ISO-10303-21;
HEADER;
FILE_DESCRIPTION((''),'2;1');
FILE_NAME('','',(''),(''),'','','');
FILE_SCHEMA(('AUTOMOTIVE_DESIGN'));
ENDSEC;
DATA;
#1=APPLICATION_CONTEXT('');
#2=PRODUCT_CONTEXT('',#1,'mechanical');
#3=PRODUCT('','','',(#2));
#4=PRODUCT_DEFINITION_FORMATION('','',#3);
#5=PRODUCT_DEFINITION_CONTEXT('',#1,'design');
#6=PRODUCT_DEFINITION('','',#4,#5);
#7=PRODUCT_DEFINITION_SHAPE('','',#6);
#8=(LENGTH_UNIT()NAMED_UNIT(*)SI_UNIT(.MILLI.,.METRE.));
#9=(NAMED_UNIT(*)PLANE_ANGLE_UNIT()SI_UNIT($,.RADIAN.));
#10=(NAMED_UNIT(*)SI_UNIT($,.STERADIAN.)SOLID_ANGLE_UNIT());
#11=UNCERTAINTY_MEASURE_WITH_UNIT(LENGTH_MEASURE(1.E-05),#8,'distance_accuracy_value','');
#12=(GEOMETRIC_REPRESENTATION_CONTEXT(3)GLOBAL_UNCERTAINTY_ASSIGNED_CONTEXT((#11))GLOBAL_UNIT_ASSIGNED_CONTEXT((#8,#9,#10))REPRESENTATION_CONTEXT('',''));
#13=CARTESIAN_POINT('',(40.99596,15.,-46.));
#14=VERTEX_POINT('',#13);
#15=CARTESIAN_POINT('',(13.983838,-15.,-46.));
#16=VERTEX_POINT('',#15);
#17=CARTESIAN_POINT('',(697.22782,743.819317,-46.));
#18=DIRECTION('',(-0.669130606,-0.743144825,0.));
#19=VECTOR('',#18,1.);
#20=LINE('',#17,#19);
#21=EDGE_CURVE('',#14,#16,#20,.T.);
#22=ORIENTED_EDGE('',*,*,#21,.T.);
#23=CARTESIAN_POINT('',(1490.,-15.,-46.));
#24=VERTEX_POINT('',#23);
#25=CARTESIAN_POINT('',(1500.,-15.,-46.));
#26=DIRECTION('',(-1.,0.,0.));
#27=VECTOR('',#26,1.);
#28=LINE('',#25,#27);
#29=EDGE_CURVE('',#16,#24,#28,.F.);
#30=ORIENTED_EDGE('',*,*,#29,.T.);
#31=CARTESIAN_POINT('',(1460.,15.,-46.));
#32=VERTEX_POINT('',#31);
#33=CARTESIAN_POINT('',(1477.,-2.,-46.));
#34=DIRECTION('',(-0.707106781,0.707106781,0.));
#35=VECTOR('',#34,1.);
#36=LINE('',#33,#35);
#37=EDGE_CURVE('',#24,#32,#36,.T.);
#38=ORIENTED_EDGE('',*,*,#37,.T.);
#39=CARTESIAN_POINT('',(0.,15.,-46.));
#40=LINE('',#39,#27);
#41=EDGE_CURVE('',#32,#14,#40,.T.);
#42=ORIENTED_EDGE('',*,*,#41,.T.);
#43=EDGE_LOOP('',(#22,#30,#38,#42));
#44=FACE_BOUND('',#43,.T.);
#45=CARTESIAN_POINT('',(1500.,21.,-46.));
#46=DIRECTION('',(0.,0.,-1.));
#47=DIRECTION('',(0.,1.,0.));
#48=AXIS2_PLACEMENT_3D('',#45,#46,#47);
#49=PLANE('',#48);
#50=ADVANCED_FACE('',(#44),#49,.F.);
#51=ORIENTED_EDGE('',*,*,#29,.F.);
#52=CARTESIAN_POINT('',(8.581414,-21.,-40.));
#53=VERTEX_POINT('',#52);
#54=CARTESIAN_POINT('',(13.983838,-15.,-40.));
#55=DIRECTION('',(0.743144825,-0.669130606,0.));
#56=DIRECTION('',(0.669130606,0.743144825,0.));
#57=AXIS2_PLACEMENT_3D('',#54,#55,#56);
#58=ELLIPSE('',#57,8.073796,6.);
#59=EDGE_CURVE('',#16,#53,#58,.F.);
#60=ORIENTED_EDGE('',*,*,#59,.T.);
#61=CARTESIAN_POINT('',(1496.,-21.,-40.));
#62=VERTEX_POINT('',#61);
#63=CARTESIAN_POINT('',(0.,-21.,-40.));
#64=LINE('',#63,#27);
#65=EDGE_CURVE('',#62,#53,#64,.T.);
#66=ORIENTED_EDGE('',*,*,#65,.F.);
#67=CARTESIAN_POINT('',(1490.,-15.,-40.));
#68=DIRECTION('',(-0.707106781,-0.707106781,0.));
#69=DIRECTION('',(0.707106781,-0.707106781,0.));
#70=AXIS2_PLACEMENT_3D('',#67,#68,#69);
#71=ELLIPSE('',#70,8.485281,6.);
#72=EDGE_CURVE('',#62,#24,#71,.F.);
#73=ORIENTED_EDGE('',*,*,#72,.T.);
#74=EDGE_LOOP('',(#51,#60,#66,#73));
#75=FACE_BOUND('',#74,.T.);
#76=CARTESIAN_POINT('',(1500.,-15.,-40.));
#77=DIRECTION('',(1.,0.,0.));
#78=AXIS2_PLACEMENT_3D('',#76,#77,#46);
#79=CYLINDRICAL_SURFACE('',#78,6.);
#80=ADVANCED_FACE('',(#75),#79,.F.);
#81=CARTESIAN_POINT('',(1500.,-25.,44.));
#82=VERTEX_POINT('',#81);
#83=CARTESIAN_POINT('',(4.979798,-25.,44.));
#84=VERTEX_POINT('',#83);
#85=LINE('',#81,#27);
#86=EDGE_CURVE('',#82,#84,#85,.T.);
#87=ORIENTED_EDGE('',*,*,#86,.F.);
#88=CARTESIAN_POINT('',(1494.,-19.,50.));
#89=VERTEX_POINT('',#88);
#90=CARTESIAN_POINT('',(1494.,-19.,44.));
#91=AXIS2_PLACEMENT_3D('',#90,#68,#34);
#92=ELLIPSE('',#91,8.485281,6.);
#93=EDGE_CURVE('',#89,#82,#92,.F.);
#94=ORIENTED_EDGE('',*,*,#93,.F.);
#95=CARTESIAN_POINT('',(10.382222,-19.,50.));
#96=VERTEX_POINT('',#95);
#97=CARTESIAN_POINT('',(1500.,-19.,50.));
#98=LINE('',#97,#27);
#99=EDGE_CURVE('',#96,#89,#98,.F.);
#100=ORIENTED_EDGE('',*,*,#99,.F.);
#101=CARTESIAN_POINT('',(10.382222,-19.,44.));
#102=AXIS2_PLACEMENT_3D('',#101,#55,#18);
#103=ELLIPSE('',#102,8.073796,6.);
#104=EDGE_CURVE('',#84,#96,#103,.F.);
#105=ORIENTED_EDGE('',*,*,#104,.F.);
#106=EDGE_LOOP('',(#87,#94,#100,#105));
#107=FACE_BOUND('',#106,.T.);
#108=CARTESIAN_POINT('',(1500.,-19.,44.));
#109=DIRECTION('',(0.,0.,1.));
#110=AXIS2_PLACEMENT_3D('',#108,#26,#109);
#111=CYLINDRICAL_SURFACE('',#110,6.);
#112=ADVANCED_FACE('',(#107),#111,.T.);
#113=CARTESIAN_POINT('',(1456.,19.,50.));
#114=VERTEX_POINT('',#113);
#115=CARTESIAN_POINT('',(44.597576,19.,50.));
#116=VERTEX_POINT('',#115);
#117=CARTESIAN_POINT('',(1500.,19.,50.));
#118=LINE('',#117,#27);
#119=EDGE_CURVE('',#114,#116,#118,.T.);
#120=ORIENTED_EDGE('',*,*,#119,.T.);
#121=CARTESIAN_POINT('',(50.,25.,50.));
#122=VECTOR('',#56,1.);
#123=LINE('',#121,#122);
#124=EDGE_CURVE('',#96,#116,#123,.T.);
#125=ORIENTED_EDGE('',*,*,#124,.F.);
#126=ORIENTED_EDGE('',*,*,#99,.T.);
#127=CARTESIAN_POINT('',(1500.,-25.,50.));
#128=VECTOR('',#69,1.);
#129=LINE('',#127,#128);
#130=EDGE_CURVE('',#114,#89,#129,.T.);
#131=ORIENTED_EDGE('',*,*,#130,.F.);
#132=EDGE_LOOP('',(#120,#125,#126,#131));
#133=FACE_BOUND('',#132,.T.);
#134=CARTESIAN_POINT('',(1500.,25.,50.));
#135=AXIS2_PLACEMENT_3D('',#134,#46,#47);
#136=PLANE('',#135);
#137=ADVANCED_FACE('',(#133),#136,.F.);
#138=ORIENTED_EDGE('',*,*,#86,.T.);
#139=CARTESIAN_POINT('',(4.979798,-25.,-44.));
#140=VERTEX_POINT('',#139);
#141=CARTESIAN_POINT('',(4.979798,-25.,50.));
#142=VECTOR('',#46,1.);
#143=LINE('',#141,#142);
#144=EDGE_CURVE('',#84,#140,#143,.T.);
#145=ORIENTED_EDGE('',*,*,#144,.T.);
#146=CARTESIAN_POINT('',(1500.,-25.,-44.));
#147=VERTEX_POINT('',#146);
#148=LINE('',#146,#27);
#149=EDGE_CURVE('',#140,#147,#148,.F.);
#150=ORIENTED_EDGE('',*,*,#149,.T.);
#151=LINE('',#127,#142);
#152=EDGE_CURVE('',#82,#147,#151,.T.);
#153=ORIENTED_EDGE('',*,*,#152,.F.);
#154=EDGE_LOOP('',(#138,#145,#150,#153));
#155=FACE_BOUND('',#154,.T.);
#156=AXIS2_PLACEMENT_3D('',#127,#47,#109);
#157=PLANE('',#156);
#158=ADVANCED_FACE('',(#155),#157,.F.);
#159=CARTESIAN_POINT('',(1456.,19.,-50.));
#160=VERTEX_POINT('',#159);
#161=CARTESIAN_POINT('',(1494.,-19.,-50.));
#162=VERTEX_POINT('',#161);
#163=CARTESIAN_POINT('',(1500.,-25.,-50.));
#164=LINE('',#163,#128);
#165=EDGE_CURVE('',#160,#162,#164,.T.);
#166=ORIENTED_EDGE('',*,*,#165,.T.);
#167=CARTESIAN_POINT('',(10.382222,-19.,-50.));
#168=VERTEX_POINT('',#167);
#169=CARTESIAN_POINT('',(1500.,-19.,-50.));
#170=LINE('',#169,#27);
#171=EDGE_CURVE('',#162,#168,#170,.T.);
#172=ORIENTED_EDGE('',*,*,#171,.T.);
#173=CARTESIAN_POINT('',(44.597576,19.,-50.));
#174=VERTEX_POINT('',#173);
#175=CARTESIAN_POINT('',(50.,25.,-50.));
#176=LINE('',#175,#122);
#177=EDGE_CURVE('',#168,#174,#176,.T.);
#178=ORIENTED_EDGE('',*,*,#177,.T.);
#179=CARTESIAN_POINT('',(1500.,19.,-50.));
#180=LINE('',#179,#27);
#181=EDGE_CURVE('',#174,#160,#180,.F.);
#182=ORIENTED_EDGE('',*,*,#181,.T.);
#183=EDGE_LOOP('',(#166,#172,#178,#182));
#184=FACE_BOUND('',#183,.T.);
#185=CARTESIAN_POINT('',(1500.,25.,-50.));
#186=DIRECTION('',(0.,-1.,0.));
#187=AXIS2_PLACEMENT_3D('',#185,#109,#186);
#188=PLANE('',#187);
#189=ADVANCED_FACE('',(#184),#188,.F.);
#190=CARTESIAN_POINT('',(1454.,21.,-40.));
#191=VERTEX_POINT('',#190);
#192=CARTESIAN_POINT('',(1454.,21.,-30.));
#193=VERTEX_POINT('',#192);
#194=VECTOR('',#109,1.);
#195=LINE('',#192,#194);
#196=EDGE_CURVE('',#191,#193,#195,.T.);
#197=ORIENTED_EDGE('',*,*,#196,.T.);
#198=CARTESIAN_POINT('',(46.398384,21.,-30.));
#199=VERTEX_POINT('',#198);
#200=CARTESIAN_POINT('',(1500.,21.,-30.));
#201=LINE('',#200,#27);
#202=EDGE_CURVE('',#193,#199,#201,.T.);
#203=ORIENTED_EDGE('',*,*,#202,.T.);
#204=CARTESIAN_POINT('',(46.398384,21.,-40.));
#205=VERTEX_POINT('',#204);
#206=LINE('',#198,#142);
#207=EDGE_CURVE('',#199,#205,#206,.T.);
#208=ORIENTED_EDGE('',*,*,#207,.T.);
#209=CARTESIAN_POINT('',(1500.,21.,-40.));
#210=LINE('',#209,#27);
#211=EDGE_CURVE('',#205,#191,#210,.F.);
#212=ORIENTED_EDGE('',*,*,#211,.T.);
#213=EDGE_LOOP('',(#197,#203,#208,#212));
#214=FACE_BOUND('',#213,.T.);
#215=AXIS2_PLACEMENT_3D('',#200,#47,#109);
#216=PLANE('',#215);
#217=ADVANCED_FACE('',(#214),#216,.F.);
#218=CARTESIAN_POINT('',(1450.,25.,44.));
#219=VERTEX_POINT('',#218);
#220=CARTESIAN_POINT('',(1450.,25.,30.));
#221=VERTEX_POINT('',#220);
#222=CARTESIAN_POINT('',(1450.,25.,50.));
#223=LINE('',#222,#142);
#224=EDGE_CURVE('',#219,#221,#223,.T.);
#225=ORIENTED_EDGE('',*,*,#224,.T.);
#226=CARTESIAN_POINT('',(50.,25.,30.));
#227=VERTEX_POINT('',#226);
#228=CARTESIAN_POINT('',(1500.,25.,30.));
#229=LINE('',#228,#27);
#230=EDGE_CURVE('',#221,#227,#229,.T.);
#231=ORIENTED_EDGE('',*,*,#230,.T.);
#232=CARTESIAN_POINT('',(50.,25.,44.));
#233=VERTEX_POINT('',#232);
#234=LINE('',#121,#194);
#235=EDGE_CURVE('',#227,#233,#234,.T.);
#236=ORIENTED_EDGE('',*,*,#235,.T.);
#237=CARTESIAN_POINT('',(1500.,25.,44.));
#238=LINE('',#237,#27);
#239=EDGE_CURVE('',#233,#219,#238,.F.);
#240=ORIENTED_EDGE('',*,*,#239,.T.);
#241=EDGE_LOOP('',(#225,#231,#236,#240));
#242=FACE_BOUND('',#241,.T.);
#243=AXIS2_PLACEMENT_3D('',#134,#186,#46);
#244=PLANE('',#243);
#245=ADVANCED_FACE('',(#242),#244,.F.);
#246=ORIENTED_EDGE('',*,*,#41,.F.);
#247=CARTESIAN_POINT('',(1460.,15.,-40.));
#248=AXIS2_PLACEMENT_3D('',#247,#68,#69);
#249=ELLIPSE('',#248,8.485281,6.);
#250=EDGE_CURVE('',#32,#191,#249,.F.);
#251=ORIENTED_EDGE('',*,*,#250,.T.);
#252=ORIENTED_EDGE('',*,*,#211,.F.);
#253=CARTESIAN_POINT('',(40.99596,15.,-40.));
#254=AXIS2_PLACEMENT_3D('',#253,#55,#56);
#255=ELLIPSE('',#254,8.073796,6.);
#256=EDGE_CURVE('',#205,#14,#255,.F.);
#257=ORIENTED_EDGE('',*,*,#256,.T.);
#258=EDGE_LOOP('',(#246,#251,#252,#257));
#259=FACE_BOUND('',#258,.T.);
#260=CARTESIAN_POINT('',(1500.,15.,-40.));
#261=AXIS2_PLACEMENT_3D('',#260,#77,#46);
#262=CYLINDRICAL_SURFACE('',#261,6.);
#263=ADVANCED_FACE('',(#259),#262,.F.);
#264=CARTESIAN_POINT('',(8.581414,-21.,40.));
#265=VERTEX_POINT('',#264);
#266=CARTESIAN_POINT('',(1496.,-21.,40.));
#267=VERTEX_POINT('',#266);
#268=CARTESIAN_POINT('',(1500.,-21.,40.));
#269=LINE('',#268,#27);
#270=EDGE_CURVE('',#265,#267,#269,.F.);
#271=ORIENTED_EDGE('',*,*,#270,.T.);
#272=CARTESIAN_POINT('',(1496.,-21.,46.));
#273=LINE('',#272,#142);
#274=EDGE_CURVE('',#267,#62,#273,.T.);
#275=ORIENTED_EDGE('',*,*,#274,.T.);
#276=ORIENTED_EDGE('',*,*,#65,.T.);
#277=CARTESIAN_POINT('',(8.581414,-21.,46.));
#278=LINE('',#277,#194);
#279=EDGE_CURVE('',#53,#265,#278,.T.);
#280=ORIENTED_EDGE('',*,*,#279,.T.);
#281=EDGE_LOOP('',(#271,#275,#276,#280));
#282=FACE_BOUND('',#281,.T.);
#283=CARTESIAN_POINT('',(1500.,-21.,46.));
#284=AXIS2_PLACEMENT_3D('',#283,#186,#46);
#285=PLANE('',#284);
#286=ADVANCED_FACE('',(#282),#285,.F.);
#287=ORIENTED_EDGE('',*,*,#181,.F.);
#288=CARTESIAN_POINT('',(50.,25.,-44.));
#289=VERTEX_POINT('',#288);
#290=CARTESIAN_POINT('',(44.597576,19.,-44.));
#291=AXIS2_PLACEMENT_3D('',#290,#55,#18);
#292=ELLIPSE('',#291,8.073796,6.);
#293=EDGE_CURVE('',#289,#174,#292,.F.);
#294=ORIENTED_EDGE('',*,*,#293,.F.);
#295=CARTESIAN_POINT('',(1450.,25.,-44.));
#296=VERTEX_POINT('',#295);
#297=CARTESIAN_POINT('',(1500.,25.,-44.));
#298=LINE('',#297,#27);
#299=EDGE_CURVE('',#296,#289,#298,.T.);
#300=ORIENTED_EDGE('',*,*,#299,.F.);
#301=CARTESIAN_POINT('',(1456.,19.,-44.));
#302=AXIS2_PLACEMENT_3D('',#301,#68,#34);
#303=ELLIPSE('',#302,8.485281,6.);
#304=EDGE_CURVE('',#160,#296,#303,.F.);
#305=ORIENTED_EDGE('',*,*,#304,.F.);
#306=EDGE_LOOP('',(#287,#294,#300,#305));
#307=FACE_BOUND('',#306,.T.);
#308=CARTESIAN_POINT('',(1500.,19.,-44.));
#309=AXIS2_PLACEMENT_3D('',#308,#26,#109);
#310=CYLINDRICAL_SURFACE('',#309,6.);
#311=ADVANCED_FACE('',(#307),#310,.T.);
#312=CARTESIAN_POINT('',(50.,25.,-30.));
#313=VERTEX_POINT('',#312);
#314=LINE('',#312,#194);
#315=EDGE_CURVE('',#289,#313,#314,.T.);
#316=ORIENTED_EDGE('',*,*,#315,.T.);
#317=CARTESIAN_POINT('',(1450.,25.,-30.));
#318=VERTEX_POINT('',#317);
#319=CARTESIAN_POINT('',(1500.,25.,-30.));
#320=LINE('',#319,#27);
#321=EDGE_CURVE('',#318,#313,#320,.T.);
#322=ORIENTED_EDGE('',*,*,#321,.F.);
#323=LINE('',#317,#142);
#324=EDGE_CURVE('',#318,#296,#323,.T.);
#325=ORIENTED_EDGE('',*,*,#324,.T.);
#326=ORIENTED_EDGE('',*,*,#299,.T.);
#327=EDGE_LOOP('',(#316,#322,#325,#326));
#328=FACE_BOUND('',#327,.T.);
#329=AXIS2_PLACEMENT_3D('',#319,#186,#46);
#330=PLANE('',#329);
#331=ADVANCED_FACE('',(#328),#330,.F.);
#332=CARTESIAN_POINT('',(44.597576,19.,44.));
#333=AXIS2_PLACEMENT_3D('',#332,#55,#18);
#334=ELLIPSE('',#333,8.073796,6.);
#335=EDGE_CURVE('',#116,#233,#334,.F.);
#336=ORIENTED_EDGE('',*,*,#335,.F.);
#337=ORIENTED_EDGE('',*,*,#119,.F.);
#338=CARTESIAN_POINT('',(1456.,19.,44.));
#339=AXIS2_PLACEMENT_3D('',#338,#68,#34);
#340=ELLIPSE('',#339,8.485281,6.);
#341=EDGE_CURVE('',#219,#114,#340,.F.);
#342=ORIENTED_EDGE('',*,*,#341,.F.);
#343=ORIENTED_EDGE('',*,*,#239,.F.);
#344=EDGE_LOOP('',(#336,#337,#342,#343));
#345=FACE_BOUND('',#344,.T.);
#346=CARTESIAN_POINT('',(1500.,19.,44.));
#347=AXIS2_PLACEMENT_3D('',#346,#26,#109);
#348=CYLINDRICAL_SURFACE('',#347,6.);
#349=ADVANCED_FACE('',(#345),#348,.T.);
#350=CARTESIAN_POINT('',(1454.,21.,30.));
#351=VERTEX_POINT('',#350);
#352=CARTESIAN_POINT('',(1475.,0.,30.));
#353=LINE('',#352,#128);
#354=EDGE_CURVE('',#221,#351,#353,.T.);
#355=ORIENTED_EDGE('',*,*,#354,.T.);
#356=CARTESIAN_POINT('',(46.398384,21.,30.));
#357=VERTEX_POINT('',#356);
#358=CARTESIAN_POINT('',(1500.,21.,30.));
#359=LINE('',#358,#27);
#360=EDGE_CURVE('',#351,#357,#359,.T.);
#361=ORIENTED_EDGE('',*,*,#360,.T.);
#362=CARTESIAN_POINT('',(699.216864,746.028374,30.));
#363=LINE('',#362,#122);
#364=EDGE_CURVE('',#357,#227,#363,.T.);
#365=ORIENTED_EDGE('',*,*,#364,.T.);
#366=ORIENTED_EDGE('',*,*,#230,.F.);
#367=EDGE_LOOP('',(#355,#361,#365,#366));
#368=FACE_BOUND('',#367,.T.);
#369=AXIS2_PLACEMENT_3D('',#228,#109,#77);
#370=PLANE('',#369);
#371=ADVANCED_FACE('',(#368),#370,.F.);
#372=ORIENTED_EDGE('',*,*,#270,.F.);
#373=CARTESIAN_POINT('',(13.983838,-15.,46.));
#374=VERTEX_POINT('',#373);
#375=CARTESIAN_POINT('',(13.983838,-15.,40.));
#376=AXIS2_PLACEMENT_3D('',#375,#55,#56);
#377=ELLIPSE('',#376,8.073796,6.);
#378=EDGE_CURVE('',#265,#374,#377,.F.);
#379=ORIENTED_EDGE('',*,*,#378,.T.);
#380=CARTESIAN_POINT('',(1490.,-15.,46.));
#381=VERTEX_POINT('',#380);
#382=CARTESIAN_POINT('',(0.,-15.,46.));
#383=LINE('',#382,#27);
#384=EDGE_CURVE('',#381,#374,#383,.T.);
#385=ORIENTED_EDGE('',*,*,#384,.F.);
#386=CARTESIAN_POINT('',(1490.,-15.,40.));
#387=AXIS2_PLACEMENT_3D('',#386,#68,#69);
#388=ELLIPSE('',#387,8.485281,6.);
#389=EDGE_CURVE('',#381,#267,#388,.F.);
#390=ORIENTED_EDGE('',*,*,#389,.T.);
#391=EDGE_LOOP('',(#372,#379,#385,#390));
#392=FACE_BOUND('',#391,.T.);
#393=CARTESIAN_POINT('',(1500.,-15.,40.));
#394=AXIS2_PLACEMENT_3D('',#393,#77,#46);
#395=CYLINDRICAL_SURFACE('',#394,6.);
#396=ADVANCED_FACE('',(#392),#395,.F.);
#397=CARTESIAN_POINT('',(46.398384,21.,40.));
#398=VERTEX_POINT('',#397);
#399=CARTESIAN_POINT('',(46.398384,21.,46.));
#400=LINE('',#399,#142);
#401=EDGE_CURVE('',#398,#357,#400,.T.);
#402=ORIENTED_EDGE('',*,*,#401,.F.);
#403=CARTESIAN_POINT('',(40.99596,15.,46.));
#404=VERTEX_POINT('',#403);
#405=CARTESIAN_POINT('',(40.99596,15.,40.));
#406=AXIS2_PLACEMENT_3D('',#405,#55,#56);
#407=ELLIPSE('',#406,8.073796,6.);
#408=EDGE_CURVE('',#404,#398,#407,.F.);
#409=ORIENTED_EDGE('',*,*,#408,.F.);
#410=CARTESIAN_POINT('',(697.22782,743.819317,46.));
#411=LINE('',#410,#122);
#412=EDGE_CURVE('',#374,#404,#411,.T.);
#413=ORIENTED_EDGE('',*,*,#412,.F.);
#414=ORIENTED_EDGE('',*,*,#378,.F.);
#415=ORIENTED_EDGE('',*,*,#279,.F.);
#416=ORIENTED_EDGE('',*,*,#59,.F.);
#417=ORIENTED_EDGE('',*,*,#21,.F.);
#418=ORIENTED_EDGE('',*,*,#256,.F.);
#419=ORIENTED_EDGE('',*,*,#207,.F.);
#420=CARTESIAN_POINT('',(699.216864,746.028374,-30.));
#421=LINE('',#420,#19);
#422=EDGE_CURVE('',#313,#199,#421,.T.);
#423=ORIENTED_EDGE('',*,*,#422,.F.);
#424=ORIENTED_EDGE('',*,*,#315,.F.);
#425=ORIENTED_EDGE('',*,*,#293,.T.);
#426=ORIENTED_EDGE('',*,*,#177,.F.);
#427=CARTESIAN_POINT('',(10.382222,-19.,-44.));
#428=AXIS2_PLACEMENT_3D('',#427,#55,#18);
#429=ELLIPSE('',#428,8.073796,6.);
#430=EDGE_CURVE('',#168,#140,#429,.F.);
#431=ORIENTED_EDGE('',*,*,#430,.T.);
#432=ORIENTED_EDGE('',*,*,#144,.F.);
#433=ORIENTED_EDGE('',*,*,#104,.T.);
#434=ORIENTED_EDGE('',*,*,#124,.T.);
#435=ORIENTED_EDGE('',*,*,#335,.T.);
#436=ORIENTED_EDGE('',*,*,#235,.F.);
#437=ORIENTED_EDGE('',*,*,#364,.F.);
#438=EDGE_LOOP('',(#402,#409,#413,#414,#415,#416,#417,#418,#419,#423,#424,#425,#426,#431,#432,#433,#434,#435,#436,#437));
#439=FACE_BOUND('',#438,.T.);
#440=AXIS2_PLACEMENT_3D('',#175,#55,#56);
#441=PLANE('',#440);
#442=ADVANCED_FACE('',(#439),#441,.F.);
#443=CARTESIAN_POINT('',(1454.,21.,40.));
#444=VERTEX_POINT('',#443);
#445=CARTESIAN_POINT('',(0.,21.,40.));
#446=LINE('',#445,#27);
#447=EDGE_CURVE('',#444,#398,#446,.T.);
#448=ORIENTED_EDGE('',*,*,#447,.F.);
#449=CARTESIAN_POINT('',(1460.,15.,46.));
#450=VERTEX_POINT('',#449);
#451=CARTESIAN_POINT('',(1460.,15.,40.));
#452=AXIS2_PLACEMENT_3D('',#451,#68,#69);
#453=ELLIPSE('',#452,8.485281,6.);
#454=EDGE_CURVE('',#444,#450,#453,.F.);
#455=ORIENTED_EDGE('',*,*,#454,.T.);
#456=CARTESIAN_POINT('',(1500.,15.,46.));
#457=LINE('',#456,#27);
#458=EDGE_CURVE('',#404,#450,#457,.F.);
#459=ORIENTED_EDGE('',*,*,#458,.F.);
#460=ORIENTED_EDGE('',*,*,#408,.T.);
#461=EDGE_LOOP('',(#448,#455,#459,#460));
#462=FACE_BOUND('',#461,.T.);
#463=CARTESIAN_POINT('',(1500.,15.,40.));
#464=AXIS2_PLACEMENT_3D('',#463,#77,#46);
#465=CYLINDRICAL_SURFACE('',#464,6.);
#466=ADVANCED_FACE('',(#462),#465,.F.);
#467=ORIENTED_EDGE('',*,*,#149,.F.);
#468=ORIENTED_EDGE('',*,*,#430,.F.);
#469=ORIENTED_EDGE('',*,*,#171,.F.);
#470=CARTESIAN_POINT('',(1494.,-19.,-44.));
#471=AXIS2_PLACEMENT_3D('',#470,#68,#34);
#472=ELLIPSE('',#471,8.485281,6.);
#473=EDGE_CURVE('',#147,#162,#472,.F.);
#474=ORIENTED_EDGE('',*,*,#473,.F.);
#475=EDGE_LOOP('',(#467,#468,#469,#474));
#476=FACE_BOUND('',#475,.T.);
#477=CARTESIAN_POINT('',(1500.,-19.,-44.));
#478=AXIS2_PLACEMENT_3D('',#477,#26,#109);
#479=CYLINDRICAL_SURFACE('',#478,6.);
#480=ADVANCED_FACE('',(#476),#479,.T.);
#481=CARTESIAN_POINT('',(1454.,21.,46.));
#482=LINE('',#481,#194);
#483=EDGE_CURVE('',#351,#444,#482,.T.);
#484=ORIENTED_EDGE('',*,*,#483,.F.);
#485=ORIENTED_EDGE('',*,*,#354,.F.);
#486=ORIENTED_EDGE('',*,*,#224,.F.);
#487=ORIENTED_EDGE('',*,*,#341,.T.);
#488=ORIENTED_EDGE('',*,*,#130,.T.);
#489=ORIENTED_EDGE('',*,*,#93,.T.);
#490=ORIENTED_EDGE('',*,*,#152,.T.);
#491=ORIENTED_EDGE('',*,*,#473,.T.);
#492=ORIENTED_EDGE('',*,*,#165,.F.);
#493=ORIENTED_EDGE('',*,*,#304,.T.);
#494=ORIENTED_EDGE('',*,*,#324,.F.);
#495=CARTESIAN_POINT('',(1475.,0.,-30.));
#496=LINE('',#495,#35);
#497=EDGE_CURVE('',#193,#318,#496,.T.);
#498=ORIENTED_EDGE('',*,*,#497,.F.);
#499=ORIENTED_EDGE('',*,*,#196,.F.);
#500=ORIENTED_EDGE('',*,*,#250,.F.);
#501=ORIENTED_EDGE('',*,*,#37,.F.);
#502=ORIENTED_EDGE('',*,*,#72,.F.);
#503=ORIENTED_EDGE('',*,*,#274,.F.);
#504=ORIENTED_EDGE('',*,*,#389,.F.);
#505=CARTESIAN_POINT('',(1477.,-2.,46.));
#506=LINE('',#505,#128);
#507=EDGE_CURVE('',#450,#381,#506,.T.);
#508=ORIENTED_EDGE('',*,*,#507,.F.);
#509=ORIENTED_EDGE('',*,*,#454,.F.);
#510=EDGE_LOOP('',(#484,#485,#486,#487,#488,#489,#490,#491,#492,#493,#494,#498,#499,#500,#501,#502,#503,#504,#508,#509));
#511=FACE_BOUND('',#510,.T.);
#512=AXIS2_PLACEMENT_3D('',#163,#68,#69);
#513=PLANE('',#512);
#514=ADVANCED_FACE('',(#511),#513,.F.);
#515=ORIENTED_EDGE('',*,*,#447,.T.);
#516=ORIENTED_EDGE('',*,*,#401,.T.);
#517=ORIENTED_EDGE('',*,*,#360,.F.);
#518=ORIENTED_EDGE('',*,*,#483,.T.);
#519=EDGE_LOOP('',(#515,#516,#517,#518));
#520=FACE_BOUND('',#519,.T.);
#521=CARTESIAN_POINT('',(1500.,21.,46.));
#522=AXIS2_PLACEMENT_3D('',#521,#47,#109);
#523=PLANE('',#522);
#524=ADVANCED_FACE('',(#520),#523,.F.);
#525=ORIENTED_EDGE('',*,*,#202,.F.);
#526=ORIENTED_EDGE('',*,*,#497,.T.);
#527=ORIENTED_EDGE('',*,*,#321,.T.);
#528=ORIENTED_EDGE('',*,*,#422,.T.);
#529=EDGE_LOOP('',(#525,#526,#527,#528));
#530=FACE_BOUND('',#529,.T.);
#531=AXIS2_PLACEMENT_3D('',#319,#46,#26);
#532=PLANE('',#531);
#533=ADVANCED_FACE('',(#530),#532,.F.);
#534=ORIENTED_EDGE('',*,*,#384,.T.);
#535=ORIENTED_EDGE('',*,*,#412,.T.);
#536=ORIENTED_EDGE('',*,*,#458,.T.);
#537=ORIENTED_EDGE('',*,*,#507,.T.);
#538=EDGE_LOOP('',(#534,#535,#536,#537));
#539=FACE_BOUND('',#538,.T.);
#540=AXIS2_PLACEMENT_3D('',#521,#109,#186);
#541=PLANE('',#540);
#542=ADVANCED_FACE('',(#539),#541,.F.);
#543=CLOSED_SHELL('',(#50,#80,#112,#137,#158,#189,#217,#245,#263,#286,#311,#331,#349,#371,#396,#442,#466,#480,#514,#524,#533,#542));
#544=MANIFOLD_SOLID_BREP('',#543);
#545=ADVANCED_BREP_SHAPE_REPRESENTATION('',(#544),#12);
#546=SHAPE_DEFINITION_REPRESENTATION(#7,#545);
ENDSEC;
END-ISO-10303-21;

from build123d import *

# Parameters (mm, degrees)
RESSALTO_EXTRUS_O1_DEPTH = 1500
FILETE1_R                = 6
CORTE_EXTRUS_O1_DEPTH    = 50
CORTE_EXTRUS_O2_DEPTH    = 50


with BuildPart() as part:
    # Esboço1 → Ressalto-extrusão1 (new body)
    with BuildSketch(Plane(origin=(0, 0, 0), x_dir=(0, 0, -1), z_dir=(1, 0, 0))):
        Polygon((-46, 21), (-46, -21), (46, -21), (46, 21), (30, 21), (30, 25), (50, 25), (50, -25), (-50, -25), (-50, 25), (-30, 25), (-30, 21), align=None)
    extrude(amount=RESSALTO_EXTRUS_O1_DEPTH)

    # Filete1
    filete1_edges = [part.edges().sort_by_distance(p)[0] for p in [
        (750, -25, -50),
        (750, -25, 50),
        (750, 25, 50),
        (750, 21, 46),
        (750, -21, 46),
        (750, -21, -46),
        (750, 21, -46),
        (750, 25, -50),
    ]]
    fillet(filete1_edges, radius=FILETE1_R)

    # Esboço3 → Corte-extrusão1 (cut, symmetric)
    with BuildSketch(Plane.XY):
        Polygon((0, -25), (184.767559257, 159.767559257), (-208.615442636, 104.939092506), align=None)
        Polygon((1500, -25), (1327.707280818, 147.292719182), (1799.383443157, 147.292719182), align=None)
    extrude(amount=CORTE_EXTRUS_O1_DEPTH, both=True, mode=Mode.SUBTRACT)

    # Esboço4 → Corte-extrusão2 (cut, symmetric)
    with BuildSketch(Plane.XY):
        Polygon((50, 25), (-16.235639867, -48.562130564), (-42.129730134, -17.715767118), align=None)
    extrude(amount=CORTE_EXTRUS_O2_DEPTH, both=True, mode=Mode.SUBTRACT)


solid = part.part
